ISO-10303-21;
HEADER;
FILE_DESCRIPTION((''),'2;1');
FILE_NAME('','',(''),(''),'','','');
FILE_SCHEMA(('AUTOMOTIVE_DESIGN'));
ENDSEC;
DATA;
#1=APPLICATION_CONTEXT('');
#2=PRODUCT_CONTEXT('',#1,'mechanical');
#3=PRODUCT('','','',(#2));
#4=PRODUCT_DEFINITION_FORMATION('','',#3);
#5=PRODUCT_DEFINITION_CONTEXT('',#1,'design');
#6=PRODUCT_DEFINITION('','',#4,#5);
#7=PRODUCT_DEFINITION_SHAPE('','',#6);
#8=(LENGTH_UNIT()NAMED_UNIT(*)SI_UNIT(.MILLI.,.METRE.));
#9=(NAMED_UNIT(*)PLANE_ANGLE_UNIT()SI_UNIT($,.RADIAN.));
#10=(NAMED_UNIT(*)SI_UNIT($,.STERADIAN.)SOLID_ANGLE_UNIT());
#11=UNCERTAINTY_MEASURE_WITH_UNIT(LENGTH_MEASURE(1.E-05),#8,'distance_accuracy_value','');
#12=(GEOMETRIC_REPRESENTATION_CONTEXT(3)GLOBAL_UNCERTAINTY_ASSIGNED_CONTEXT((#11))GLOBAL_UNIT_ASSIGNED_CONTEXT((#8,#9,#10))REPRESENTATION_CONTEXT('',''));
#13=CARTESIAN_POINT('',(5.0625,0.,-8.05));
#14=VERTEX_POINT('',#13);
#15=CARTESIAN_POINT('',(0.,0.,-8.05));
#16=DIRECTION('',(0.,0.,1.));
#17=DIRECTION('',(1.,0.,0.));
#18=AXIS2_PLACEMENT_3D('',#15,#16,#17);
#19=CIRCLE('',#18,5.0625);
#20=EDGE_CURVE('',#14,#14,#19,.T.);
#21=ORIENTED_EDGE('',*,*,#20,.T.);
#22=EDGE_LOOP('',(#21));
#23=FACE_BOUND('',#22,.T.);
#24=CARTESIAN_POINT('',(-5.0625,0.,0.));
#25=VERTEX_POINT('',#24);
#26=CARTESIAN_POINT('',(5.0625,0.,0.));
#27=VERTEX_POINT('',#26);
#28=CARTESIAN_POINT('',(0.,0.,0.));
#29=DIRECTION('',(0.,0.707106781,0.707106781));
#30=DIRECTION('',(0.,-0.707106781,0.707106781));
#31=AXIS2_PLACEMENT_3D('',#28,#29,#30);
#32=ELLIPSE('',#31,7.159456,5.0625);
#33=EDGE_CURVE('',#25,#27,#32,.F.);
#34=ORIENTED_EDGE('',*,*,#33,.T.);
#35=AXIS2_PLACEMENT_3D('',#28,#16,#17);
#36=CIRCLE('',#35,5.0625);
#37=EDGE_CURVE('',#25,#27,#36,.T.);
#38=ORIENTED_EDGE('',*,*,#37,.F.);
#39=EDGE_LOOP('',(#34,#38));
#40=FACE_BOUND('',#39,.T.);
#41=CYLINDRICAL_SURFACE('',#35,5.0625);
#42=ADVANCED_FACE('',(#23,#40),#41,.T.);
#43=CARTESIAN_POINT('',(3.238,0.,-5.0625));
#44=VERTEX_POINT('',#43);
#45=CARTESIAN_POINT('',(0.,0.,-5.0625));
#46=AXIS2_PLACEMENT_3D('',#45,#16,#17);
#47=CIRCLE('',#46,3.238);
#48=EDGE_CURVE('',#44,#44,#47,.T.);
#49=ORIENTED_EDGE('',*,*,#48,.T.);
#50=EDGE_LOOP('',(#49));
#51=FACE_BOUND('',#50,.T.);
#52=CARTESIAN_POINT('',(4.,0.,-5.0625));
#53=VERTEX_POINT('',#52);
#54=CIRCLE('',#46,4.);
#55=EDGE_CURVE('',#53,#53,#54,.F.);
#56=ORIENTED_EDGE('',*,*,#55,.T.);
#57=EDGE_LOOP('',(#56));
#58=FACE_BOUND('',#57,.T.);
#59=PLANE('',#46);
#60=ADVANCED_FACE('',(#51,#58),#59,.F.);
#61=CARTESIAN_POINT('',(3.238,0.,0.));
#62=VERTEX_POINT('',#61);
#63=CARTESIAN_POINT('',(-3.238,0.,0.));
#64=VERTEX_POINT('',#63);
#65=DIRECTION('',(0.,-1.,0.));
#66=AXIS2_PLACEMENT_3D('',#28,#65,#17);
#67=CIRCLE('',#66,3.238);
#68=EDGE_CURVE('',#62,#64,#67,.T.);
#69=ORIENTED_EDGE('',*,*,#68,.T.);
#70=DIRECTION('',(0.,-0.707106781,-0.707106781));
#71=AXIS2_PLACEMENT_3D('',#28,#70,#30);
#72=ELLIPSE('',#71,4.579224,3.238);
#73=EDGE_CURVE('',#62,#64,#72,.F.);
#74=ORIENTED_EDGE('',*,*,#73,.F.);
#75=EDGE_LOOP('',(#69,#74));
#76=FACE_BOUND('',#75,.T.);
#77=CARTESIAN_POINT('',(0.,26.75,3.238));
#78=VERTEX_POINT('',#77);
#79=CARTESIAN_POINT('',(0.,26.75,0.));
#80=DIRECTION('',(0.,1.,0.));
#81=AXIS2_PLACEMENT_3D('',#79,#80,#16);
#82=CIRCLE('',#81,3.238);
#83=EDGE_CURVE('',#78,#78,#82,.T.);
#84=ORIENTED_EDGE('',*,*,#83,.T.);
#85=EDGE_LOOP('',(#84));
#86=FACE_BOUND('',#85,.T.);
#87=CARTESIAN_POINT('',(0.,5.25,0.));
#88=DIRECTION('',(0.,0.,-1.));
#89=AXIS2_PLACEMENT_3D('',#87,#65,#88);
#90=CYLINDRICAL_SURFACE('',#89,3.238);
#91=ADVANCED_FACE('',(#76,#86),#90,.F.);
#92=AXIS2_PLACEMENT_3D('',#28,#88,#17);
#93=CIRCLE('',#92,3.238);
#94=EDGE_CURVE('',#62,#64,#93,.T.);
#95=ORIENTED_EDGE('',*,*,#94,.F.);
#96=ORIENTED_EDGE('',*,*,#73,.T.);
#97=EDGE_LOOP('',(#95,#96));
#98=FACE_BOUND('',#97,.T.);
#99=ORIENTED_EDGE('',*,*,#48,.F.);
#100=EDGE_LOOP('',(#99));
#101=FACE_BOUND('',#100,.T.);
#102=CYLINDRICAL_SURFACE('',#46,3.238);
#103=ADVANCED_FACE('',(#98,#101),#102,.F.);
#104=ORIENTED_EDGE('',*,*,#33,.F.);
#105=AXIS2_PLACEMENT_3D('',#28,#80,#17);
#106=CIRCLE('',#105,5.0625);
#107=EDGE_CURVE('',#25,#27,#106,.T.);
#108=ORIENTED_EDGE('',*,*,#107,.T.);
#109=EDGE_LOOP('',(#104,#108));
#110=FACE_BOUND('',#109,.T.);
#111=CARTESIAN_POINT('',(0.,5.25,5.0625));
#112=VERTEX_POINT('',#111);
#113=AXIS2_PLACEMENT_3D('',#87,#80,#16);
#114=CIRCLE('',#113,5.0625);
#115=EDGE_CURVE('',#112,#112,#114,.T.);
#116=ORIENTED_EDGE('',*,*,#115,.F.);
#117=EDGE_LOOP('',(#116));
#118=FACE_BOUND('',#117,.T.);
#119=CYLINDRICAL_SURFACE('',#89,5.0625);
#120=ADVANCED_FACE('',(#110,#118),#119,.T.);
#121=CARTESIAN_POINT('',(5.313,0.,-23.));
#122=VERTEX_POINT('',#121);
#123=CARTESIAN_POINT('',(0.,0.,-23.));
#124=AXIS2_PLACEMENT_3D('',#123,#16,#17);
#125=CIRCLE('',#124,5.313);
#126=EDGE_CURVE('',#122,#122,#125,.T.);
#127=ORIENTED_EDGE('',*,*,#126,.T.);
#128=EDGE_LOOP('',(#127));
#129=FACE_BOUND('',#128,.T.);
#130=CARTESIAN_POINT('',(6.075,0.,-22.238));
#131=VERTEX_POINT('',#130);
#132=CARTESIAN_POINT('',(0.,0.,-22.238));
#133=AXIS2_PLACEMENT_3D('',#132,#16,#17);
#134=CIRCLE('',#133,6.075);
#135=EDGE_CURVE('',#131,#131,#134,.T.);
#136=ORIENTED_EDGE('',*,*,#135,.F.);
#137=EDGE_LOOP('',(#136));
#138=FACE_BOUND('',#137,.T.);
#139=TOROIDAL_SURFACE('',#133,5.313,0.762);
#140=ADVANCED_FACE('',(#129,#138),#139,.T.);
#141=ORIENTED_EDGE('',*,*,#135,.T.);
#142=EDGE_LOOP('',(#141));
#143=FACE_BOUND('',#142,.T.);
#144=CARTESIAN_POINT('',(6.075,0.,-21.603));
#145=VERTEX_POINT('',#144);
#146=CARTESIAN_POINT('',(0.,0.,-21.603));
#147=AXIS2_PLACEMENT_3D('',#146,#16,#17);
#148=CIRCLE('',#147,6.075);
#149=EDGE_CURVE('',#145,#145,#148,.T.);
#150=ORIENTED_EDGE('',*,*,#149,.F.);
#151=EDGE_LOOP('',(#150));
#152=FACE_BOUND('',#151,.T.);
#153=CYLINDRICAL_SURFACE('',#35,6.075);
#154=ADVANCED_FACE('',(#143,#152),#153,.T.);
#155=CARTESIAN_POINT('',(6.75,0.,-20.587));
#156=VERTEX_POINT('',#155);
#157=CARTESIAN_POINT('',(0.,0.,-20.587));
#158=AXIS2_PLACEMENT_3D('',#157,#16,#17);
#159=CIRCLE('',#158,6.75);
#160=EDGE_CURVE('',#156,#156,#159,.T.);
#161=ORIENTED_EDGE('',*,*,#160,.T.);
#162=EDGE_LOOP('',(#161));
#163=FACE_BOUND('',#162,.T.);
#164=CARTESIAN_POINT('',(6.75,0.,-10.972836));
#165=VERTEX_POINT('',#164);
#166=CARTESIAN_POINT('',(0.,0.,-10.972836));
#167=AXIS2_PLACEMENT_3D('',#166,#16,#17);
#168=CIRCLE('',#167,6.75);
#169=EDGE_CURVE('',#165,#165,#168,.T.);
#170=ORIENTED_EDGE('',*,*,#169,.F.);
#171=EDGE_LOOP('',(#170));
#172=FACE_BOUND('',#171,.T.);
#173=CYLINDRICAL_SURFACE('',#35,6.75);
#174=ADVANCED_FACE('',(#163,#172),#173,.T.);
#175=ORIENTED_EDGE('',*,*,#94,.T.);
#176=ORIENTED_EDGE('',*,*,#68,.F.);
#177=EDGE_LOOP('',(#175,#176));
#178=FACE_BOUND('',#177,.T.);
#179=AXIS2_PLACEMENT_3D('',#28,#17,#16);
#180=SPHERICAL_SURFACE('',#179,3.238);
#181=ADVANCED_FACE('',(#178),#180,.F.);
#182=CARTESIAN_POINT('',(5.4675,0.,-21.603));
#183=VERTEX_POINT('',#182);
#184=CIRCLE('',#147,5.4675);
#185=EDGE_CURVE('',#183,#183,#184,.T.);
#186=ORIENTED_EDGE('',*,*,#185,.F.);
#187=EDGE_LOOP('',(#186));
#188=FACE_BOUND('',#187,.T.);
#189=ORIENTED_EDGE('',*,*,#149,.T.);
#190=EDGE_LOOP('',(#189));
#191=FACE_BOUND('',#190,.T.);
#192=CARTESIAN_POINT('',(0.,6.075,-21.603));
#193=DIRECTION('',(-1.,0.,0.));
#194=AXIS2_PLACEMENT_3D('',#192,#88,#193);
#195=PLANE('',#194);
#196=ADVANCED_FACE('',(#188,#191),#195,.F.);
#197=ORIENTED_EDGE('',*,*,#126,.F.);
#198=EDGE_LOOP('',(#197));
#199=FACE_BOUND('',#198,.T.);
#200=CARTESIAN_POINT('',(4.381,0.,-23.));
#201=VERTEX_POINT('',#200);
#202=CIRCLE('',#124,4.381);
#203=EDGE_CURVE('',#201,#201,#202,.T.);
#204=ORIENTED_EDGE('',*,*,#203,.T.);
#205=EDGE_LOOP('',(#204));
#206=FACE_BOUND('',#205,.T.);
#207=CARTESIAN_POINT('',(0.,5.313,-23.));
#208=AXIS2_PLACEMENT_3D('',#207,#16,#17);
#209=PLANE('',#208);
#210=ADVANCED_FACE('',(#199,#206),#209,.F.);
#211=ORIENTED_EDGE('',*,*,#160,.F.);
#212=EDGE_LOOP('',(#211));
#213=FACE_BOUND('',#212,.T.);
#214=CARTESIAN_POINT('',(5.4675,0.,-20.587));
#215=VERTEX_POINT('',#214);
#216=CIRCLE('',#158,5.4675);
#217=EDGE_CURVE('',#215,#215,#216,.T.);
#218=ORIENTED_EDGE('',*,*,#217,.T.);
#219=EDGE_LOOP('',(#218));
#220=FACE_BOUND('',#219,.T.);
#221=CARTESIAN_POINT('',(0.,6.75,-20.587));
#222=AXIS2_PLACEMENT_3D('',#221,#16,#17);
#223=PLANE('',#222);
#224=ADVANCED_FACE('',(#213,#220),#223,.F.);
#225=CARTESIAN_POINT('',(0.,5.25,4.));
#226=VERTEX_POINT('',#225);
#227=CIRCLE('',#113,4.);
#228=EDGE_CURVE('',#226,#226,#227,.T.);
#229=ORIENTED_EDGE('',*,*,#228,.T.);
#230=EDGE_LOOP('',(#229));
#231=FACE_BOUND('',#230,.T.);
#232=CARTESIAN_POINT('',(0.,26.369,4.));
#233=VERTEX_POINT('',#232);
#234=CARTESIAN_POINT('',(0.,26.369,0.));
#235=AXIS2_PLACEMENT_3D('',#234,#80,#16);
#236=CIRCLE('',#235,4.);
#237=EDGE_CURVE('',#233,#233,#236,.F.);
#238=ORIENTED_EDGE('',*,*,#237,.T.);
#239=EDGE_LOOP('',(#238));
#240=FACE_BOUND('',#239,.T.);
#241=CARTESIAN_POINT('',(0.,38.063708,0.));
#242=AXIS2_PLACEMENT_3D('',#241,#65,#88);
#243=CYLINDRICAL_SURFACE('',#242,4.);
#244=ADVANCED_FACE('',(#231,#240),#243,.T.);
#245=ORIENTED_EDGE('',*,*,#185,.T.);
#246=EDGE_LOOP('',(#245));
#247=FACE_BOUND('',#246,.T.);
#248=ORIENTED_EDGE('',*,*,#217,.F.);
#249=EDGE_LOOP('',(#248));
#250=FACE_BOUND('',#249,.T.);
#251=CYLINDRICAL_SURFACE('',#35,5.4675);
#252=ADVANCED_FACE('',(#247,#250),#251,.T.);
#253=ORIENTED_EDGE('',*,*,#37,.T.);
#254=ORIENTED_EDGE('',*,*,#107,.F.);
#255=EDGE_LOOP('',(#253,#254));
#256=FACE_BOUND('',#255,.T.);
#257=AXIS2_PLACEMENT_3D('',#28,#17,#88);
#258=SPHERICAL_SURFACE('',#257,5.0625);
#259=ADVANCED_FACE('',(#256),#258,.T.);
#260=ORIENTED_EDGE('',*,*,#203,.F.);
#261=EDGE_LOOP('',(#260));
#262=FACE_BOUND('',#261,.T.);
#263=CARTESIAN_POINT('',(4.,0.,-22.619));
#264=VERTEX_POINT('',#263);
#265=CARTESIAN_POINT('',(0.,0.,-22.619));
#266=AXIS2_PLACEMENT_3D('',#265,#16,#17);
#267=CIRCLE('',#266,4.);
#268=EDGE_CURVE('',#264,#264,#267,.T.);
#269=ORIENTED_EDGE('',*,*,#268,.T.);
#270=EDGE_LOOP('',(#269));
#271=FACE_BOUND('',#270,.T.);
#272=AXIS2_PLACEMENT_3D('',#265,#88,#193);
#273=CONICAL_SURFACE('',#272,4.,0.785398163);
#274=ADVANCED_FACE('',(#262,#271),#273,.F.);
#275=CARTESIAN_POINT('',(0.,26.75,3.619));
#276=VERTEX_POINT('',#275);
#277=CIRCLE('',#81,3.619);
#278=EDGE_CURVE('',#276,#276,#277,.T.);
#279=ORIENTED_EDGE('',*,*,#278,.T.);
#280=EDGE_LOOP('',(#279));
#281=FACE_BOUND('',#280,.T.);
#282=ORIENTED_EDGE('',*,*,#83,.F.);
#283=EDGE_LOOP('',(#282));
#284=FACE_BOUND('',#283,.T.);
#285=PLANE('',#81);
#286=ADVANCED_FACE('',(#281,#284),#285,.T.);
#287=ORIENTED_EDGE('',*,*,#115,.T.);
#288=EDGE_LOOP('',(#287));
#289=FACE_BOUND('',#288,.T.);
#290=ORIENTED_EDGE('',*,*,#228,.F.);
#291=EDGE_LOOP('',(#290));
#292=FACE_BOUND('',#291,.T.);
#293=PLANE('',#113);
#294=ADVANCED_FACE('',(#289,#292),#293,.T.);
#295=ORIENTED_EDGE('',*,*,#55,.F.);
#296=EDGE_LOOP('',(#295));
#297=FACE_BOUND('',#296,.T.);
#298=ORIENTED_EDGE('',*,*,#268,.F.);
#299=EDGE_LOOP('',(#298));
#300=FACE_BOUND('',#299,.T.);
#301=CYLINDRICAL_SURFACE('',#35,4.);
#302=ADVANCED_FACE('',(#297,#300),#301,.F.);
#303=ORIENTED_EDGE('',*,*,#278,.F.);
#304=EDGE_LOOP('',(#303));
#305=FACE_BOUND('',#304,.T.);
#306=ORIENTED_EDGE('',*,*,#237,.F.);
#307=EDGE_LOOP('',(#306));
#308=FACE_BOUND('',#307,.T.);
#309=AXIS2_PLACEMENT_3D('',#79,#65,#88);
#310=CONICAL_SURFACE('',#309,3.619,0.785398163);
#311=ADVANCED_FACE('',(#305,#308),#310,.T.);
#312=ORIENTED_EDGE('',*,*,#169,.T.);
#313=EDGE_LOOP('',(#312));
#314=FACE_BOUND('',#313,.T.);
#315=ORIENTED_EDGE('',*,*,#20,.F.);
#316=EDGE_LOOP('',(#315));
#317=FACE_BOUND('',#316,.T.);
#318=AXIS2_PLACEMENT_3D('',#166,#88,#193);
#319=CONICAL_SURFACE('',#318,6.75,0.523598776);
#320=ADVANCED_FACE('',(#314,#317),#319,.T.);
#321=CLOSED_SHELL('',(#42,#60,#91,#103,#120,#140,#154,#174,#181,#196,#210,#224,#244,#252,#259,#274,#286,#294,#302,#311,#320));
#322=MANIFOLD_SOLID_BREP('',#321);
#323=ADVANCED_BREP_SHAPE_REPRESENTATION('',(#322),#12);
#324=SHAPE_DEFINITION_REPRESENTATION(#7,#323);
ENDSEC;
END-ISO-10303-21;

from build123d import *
from build123d.topology import SkipClean

# Parameters (mm, degrees)
SKETCH9_R          = 4
SKETCH9_R_2        = 3.238
EXTRUDE1_DEPTH     = 5.0625
REVOLVE2_ANGLE     = 90
EXTRUDE2_DEPTH     = 5.25
EXTRUDE5_START     = -5.25
SKETCH16_R         = 5.0625
SKETCH16_R_2       = 3.238
EXTRUDE5_DEPTH     = 5.25
SKETCH12_R         = 3.238
CUT_EXTRUDE1_DEPTH = 25.90230913
CUT_EXTRUDE2_START = 5.0625
SKETCH13_R         = 3.238
CUT_EXTRUDE2_DEPTH = 5.0625
SKETCH15_R         = 4
SKETCH15_R_2       = 3.238
EXTRUDE4_DEPTH     = 21.5
CHAMFER1_SIZE      = 0.381


with BuildPart() as part:
    # Sketch8 → Revolve1 (revolve)
    with BuildSketch(Plane(origin=(0, 0, 0), x_dir=(0, 0, -1), z_dir=(1, 0, 0)), mode=Mode.PRIVATE) as revolve1_sk:
        with BuildLine():
            Line((21.603, 6.075), (22.238, 6.075))
            ThreePointArc((22.238, 6.075), (22.776815367, 5.851815367), (23, 5.313))
            Line((23, 5.313), (23, 4.381))
            Line((23, 4.381), (22.619, 4))
            Line((22.619, 4), (0, 4))
            Line((0, 4), (0, 5.0625))
            Line((0, 5.0625), (8.05, 5.0625))
            Line((8.05, 5.0625), (10.972835738, 6.75))
            Line((10.972835738, 6.75), (20.587, 6.75))
            Line((20.587, 6.75), (20.587, 5.4675))
            Line((20.587, 5.4675), (21.603, 5.4675))
            Line((21.603, 5.4675), (21.603, 6.075))
        make_face()
    revolve(revolve1_sk.sketch.rotate(Axis((0, 0, 0), (0, 0, -1)), 90), axis=Axis((0, 0, 0), (0, 0, -1)))

    # Sketch9 → Extrude1 (add)
    with BuildSketch(Plane.XY):
        Circle(SKETCH9_R)
        Circle(SKETCH9_R_2, mode=Mode.SUBTRACT)
    extrude(amount=-EXTRUDE1_DEPTH)

    # Sketch11 → Revolve2 (revolve)
    with BuildSketch(Plane.XY):
        with BuildLine():
            Line((-5.0625, 0), (-3.238, 0))
            ThreePointArc((-3.238, 0), (0, -3.238), (3.238, 0))
            Line((3.238, 0), (5.0625, 0))
            ThreePointArc((5.0625, 0), (0, -5.0625), (-5.0625, 0))
        make_face()
    revolve(axis=Axis((-5.0625, 0, 0), (-1, 0, 0)), revolution_arc=REVOLVE2_ANGLE)

    # Sketch14 → Extrude2 (add)
    with BuildSketch(Plane(origin=(0, 0, 0), x_dir=(-1, 0, 0), z_dir=(0, 1, 0))):
        with BuildLine():
            Line((-5.0625, 0), (-3.238, 0))
            ThreePointArc((-3.238, 0), (0, 3.238), (3.238, 0))
            Line((3.238, 0), (5.0625, 0))
            ThreePointArc((5.0625, 0), (0, 5.0625), (-5.0625, 0))
        make_face()
    extrude(amount=EXTRUDE2_DEPTH)

    # Sketch16 → Extrude5 (add)
    with SkipClean():  # the faces are left unmerged after this step: merging them gives an invalid solid
        with BuildSketch(Plane(origin=(0, 5.25, 0), x_dir=(-1, 0, 0), z_dir=(0, 1, 0)).offset(EXTRUDE5_START)):
            with Locations(Location((0, 0, 0), (0, 0, 180))):
                Circle(SKETCH16_R)
            with Locations(Location((0, 0, 0), (0, 0, 180))):
                Circle(SKETCH16_R_2, mode=Mode.SUBTRACT)
        extrude(amount=EXTRUDE5_DEPTH)

    # Sketch12 → Cut-Extrude1 (cut, through all)
    with BuildSketch(Plane(origin=(0, 0, 0), x_dir=(1, 0, 0), z_dir=(0, 1, 0))):
        Circle(SKETCH12_R)
    extrude(amount=CUT_EXTRUDE1_DEPTH, mode=Mode.SUBTRACT)

    # Sketch13 → Cut-Extrude2 (cut)
    with BuildSketch(Plane.XY.offset(-5.0625).offset(CUT_EXTRUDE2_START)):
        Circle(SKETCH13_R)
    extrude(amount=-CUT_EXTRUDE2_DEPTH, mode=Mode.SUBTRACT)

    # Sketch15 → Extrude4 (add)
    with BuildSketch(Plane(origin=(0, 5.25, 0), x_dir=(-1, 0, 0), z_dir=(0, 1, 0))):
        with Locations(Location((0, 0, 0), (0, 0, 90))):
            Circle(SKETCH15_R)
        with Locations(Location((0, 0, 0), (0, 0, 180))):
            Circle(SKETCH15_R_2, mode=Mode.SUBTRACT)
    extrude(amount=EXTRUDE4_DEPTH)

    # Chamfer1
    chamfer1_edges = [part.edges().sort_by_distance(p)[0] for p in [
        (0, 26.75, -4),
    ]]
    chamfer(chamfer1_edges, length=CHAMFER1_SIZE)


solid = part.part
